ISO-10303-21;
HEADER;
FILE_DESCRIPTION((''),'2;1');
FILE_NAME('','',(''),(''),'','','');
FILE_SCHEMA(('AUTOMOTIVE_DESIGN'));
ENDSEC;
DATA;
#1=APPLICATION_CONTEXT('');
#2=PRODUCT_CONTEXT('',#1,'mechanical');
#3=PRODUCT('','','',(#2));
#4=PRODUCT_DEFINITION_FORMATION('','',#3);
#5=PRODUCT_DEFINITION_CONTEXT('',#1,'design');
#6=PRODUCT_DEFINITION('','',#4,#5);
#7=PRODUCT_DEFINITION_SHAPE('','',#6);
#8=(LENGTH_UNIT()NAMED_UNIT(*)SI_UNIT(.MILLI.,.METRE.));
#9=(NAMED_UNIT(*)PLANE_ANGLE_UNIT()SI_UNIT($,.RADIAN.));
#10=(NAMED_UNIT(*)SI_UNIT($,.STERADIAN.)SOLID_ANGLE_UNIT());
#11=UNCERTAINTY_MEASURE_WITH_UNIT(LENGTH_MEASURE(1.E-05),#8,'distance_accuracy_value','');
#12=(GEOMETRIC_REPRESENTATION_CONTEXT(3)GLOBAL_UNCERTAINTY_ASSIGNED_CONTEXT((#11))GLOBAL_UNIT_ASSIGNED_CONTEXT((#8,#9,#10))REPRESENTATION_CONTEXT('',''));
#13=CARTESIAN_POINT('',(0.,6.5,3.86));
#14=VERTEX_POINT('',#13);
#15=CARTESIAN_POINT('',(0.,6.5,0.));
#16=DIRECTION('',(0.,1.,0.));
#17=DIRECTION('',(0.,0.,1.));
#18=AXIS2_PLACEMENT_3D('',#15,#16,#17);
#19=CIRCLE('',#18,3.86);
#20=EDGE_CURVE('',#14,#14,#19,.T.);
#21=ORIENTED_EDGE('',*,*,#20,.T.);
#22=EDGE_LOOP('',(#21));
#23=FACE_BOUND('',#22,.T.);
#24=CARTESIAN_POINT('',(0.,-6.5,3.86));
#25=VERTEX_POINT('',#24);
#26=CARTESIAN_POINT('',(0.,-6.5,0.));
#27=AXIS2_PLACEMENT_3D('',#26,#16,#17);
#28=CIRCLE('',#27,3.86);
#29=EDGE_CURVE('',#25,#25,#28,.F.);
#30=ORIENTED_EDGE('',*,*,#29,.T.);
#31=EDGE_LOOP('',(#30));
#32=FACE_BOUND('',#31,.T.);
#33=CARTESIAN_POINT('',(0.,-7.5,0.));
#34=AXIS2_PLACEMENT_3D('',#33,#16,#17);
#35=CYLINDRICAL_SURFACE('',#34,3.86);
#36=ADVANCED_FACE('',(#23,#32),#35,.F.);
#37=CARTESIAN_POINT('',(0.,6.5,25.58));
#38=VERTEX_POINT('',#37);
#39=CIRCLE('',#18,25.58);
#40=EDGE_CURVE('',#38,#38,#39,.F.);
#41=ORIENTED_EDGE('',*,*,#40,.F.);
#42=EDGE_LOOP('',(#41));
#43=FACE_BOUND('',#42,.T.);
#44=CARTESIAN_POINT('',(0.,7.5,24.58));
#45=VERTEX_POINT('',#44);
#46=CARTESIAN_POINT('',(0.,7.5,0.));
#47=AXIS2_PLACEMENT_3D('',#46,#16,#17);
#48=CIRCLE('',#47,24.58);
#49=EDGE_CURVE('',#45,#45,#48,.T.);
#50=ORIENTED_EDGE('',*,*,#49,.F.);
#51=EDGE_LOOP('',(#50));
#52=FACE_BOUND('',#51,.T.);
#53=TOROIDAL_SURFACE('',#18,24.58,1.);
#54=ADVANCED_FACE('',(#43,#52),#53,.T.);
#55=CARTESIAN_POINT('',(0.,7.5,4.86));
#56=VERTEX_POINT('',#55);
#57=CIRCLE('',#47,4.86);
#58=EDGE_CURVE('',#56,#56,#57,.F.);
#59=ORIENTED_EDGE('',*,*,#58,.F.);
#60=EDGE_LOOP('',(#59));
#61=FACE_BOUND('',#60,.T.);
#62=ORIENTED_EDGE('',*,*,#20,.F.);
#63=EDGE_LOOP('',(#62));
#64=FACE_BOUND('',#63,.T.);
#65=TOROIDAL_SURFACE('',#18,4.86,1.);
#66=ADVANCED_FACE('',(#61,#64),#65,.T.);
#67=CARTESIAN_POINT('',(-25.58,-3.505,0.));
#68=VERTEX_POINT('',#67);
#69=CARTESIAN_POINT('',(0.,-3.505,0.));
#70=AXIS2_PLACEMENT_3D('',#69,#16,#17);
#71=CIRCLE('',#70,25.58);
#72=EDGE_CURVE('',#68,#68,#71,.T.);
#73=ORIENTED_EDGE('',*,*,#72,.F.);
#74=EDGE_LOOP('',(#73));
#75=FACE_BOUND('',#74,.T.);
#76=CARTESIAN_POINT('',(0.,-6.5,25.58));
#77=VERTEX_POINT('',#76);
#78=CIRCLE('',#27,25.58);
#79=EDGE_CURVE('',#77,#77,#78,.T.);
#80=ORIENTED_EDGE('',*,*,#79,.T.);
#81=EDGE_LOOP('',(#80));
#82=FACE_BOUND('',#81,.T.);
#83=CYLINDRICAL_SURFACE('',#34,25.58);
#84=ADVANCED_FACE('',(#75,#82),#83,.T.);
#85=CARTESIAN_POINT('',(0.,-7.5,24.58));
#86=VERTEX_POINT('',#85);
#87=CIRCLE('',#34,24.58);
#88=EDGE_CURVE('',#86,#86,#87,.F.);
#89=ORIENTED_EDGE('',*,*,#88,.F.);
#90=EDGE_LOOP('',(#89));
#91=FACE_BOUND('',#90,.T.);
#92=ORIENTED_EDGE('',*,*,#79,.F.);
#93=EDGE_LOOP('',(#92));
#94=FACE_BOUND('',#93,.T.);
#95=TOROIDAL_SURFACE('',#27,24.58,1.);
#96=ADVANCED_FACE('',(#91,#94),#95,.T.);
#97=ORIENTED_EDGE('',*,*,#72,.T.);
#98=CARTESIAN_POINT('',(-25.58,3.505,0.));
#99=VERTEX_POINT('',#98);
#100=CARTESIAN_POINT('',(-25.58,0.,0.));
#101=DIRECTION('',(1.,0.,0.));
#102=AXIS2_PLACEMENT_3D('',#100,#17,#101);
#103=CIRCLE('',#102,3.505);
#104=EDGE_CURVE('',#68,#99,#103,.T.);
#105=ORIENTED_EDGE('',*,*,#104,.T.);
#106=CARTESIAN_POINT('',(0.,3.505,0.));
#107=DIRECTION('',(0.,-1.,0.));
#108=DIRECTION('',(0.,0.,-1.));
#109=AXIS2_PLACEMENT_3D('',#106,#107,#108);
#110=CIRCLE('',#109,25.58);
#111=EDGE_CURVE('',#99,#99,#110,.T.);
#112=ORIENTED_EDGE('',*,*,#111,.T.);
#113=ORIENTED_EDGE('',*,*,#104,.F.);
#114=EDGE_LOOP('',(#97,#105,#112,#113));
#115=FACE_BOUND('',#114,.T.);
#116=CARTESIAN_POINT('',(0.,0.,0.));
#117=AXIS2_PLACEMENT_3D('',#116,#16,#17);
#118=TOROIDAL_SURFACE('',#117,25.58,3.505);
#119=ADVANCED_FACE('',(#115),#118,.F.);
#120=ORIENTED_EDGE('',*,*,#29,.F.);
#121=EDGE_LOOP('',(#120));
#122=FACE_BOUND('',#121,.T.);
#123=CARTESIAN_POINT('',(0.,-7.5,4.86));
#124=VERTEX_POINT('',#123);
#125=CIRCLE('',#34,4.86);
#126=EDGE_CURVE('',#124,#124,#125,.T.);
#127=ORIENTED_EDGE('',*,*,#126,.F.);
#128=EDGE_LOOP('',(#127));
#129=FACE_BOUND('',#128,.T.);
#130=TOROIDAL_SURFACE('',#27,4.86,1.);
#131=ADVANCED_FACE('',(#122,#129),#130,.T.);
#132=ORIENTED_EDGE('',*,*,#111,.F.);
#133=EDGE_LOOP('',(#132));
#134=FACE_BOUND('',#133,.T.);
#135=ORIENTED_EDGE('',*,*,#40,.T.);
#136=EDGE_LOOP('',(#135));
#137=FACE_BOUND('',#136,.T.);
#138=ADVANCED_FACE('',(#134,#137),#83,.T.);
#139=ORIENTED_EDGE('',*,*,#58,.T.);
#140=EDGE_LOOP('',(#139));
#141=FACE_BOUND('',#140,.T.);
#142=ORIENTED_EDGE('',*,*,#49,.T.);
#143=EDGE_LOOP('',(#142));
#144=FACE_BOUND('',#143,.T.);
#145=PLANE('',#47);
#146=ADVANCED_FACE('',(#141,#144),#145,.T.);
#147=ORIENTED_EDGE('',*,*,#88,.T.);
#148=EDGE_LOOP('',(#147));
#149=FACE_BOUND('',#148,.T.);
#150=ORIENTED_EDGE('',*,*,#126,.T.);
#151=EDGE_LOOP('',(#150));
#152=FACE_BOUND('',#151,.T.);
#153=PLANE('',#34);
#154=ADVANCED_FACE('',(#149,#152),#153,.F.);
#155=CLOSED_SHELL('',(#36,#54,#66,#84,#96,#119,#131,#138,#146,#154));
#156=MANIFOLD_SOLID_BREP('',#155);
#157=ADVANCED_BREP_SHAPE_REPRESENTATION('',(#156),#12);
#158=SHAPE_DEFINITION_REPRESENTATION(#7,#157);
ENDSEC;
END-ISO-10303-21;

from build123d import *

# Parameters (mm, degrees)
SALIENTE_EXTRUIR1_DEPTH      = 7.5
SALIENTE_EXTRUIR1_DEPTH_BACK = 7.5
CROQUIS1_R                   = 25.58
CROQUIS1_R_2                 = 3.86
CROQUIS2_R                   = 3.505
REDONDEO1_R                  = 1


with BuildPart() as part:
    # Croquis1 → Saliente-Extruir1 (new, two sides: drawn at the far end of the back side and taken through both)
    with BuildSketch(Plane(origin=(0, 0, 0), x_dir=(1, 0, 0), z_dir=(0, 1, 0)).offset(-SALIENTE_EXTRUIR1_DEPTH_BACK)):
        Circle(CROQUIS1_R)
        Circle(CROQUIS1_R_2, mode=Mode.SUBTRACT)
    extrude(amount=SALIENTE_EXTRUIR1_DEPTH + SALIENTE_EXTRUIR1_DEPTH_BACK)

    # Cortar-Barrer1: sweep along a path in Croquis1<4>
    with BuildLine(Plane(origin=(0, 0, 0), x_dir=(1, 0, 0), z_dir=(0, 1, 0))) as cortar_barrer1_path:
        CenterArc((0, 0), 25.58, 0, 360)
    # Croquis2 → Cortar-Barrer1 (sweep, cut)
    with BuildSketch(Plane.XY):
        with Locations((-25.58, 0)):
            Circle(CROQUIS2_R)
    sweep(path=cortar_barrer1_path.line, mode=Mode.SUBTRACT)

    # Redondeo1
    redondeo1_edges = [part.edges().sort_by_distance(p)[0] for p in [
        (-25.58, -7.5, 0),
        (-25.58, 7.5, 0),
        (-3.86, 7.5, 0),
        (-3.86, -7.5, 0),
    ]]
    fillet(redondeo1_edges, radius=REDONDEO1_R)


solid = part.part
